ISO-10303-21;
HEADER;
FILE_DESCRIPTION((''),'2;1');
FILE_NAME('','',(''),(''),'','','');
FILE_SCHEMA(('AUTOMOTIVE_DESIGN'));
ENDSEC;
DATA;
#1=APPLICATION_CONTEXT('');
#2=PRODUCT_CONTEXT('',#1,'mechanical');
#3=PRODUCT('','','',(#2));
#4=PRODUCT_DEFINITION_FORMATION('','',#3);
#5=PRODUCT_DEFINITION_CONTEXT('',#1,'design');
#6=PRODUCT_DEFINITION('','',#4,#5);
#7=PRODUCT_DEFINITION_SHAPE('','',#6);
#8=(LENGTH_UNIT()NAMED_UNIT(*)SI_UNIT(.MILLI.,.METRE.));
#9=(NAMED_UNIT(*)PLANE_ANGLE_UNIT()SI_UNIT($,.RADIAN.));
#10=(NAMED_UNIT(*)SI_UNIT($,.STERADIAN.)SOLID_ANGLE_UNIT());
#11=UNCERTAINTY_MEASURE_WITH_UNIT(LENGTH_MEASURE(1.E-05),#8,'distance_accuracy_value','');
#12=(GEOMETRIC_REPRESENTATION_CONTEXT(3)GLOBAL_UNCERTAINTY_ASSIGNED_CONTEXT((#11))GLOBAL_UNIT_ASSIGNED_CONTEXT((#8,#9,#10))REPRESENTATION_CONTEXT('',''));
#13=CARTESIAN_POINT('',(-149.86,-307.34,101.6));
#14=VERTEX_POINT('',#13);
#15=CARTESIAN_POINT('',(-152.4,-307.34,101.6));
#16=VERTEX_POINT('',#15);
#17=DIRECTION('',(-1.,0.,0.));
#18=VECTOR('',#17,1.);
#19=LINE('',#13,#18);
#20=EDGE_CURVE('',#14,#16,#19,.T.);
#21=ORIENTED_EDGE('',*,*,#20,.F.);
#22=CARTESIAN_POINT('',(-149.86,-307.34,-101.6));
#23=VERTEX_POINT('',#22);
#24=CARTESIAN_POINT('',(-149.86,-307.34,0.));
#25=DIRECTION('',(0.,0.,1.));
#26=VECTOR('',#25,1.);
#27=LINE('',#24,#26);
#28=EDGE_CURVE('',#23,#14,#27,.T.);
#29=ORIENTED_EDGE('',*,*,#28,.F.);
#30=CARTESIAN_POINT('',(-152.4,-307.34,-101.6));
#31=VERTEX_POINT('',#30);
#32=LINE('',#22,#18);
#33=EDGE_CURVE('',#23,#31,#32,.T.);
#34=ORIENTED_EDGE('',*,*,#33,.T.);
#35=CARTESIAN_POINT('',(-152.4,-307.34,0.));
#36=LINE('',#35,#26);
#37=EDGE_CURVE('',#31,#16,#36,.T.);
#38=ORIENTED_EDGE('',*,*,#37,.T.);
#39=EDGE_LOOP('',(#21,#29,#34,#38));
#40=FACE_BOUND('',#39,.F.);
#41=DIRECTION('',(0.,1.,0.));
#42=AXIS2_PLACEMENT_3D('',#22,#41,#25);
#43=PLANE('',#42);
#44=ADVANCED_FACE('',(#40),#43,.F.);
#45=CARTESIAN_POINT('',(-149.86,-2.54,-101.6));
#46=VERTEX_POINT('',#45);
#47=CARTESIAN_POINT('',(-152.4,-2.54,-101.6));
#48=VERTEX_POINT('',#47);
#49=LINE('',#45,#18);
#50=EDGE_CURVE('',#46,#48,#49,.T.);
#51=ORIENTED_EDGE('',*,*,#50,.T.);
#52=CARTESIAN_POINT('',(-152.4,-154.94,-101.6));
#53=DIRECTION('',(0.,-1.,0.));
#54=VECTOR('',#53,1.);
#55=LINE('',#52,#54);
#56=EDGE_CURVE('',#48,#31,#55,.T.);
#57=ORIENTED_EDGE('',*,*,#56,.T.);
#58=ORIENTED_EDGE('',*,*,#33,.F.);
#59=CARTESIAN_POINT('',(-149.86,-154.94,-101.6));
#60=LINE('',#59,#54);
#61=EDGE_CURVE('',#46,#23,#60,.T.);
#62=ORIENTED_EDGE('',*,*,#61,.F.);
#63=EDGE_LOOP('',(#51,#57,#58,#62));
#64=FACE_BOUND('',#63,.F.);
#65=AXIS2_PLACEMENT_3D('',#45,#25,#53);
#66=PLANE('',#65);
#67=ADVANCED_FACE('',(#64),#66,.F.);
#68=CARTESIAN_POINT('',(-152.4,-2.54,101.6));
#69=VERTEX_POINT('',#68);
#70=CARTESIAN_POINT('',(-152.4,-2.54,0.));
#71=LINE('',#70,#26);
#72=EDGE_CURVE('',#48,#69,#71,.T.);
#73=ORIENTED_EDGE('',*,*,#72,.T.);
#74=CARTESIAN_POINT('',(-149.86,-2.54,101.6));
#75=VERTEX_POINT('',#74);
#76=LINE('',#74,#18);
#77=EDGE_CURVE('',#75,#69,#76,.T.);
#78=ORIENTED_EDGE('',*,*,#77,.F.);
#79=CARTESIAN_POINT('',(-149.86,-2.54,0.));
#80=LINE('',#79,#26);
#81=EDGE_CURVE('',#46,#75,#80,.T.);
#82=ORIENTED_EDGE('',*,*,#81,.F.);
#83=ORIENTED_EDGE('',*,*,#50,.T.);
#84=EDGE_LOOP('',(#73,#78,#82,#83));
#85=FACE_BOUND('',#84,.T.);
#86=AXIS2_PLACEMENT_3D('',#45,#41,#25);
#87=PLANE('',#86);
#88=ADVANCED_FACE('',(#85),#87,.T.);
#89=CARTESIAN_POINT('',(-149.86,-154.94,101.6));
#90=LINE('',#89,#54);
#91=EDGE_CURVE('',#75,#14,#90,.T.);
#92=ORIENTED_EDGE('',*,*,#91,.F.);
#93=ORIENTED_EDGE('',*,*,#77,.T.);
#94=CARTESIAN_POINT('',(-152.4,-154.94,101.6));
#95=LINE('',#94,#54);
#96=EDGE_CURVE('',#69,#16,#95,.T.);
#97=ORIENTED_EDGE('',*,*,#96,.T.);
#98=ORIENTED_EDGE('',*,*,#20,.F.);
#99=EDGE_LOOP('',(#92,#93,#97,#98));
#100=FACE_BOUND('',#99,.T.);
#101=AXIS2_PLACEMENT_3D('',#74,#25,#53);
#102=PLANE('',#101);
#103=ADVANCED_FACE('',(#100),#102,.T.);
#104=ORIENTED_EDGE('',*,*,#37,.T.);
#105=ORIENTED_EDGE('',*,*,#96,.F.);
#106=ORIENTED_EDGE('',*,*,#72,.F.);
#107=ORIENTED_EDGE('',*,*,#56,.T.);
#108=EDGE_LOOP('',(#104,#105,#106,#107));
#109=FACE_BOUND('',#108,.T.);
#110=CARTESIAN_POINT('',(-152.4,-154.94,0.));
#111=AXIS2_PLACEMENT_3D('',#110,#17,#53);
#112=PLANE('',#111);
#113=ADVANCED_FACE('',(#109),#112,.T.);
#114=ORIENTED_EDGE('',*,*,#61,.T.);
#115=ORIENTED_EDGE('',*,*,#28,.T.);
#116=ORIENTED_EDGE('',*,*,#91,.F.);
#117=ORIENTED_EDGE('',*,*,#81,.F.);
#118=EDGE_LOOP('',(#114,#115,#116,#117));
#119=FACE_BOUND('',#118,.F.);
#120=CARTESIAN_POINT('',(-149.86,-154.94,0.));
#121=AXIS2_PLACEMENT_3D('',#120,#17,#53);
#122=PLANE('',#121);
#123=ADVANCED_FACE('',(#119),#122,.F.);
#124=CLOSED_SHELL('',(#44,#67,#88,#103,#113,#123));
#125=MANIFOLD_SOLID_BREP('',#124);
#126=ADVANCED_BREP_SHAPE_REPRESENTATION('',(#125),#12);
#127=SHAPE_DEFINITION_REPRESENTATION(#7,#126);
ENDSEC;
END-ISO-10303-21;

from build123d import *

# Parameters (mm, degrees)
F0_W     = 304.8
F0_H     = 203.2
F1_DEPTH = 2.54
F2_ANGLE = 90


with BuildPart() as f1:
    # F0 (on Front) → F1 (new body)
    with BuildSketch(Plane.XZ):
        Rectangle(F0_W, F0_H)
    extrude(amount=F1_DEPTH)


with BuildPart() as f1_1:
    # F2: moved
    add(f1.part.rotate(Axis((-152.4, -2.54, 0), (0, 0, -1)), F2_ANGLE))


solid = f1_1.part
